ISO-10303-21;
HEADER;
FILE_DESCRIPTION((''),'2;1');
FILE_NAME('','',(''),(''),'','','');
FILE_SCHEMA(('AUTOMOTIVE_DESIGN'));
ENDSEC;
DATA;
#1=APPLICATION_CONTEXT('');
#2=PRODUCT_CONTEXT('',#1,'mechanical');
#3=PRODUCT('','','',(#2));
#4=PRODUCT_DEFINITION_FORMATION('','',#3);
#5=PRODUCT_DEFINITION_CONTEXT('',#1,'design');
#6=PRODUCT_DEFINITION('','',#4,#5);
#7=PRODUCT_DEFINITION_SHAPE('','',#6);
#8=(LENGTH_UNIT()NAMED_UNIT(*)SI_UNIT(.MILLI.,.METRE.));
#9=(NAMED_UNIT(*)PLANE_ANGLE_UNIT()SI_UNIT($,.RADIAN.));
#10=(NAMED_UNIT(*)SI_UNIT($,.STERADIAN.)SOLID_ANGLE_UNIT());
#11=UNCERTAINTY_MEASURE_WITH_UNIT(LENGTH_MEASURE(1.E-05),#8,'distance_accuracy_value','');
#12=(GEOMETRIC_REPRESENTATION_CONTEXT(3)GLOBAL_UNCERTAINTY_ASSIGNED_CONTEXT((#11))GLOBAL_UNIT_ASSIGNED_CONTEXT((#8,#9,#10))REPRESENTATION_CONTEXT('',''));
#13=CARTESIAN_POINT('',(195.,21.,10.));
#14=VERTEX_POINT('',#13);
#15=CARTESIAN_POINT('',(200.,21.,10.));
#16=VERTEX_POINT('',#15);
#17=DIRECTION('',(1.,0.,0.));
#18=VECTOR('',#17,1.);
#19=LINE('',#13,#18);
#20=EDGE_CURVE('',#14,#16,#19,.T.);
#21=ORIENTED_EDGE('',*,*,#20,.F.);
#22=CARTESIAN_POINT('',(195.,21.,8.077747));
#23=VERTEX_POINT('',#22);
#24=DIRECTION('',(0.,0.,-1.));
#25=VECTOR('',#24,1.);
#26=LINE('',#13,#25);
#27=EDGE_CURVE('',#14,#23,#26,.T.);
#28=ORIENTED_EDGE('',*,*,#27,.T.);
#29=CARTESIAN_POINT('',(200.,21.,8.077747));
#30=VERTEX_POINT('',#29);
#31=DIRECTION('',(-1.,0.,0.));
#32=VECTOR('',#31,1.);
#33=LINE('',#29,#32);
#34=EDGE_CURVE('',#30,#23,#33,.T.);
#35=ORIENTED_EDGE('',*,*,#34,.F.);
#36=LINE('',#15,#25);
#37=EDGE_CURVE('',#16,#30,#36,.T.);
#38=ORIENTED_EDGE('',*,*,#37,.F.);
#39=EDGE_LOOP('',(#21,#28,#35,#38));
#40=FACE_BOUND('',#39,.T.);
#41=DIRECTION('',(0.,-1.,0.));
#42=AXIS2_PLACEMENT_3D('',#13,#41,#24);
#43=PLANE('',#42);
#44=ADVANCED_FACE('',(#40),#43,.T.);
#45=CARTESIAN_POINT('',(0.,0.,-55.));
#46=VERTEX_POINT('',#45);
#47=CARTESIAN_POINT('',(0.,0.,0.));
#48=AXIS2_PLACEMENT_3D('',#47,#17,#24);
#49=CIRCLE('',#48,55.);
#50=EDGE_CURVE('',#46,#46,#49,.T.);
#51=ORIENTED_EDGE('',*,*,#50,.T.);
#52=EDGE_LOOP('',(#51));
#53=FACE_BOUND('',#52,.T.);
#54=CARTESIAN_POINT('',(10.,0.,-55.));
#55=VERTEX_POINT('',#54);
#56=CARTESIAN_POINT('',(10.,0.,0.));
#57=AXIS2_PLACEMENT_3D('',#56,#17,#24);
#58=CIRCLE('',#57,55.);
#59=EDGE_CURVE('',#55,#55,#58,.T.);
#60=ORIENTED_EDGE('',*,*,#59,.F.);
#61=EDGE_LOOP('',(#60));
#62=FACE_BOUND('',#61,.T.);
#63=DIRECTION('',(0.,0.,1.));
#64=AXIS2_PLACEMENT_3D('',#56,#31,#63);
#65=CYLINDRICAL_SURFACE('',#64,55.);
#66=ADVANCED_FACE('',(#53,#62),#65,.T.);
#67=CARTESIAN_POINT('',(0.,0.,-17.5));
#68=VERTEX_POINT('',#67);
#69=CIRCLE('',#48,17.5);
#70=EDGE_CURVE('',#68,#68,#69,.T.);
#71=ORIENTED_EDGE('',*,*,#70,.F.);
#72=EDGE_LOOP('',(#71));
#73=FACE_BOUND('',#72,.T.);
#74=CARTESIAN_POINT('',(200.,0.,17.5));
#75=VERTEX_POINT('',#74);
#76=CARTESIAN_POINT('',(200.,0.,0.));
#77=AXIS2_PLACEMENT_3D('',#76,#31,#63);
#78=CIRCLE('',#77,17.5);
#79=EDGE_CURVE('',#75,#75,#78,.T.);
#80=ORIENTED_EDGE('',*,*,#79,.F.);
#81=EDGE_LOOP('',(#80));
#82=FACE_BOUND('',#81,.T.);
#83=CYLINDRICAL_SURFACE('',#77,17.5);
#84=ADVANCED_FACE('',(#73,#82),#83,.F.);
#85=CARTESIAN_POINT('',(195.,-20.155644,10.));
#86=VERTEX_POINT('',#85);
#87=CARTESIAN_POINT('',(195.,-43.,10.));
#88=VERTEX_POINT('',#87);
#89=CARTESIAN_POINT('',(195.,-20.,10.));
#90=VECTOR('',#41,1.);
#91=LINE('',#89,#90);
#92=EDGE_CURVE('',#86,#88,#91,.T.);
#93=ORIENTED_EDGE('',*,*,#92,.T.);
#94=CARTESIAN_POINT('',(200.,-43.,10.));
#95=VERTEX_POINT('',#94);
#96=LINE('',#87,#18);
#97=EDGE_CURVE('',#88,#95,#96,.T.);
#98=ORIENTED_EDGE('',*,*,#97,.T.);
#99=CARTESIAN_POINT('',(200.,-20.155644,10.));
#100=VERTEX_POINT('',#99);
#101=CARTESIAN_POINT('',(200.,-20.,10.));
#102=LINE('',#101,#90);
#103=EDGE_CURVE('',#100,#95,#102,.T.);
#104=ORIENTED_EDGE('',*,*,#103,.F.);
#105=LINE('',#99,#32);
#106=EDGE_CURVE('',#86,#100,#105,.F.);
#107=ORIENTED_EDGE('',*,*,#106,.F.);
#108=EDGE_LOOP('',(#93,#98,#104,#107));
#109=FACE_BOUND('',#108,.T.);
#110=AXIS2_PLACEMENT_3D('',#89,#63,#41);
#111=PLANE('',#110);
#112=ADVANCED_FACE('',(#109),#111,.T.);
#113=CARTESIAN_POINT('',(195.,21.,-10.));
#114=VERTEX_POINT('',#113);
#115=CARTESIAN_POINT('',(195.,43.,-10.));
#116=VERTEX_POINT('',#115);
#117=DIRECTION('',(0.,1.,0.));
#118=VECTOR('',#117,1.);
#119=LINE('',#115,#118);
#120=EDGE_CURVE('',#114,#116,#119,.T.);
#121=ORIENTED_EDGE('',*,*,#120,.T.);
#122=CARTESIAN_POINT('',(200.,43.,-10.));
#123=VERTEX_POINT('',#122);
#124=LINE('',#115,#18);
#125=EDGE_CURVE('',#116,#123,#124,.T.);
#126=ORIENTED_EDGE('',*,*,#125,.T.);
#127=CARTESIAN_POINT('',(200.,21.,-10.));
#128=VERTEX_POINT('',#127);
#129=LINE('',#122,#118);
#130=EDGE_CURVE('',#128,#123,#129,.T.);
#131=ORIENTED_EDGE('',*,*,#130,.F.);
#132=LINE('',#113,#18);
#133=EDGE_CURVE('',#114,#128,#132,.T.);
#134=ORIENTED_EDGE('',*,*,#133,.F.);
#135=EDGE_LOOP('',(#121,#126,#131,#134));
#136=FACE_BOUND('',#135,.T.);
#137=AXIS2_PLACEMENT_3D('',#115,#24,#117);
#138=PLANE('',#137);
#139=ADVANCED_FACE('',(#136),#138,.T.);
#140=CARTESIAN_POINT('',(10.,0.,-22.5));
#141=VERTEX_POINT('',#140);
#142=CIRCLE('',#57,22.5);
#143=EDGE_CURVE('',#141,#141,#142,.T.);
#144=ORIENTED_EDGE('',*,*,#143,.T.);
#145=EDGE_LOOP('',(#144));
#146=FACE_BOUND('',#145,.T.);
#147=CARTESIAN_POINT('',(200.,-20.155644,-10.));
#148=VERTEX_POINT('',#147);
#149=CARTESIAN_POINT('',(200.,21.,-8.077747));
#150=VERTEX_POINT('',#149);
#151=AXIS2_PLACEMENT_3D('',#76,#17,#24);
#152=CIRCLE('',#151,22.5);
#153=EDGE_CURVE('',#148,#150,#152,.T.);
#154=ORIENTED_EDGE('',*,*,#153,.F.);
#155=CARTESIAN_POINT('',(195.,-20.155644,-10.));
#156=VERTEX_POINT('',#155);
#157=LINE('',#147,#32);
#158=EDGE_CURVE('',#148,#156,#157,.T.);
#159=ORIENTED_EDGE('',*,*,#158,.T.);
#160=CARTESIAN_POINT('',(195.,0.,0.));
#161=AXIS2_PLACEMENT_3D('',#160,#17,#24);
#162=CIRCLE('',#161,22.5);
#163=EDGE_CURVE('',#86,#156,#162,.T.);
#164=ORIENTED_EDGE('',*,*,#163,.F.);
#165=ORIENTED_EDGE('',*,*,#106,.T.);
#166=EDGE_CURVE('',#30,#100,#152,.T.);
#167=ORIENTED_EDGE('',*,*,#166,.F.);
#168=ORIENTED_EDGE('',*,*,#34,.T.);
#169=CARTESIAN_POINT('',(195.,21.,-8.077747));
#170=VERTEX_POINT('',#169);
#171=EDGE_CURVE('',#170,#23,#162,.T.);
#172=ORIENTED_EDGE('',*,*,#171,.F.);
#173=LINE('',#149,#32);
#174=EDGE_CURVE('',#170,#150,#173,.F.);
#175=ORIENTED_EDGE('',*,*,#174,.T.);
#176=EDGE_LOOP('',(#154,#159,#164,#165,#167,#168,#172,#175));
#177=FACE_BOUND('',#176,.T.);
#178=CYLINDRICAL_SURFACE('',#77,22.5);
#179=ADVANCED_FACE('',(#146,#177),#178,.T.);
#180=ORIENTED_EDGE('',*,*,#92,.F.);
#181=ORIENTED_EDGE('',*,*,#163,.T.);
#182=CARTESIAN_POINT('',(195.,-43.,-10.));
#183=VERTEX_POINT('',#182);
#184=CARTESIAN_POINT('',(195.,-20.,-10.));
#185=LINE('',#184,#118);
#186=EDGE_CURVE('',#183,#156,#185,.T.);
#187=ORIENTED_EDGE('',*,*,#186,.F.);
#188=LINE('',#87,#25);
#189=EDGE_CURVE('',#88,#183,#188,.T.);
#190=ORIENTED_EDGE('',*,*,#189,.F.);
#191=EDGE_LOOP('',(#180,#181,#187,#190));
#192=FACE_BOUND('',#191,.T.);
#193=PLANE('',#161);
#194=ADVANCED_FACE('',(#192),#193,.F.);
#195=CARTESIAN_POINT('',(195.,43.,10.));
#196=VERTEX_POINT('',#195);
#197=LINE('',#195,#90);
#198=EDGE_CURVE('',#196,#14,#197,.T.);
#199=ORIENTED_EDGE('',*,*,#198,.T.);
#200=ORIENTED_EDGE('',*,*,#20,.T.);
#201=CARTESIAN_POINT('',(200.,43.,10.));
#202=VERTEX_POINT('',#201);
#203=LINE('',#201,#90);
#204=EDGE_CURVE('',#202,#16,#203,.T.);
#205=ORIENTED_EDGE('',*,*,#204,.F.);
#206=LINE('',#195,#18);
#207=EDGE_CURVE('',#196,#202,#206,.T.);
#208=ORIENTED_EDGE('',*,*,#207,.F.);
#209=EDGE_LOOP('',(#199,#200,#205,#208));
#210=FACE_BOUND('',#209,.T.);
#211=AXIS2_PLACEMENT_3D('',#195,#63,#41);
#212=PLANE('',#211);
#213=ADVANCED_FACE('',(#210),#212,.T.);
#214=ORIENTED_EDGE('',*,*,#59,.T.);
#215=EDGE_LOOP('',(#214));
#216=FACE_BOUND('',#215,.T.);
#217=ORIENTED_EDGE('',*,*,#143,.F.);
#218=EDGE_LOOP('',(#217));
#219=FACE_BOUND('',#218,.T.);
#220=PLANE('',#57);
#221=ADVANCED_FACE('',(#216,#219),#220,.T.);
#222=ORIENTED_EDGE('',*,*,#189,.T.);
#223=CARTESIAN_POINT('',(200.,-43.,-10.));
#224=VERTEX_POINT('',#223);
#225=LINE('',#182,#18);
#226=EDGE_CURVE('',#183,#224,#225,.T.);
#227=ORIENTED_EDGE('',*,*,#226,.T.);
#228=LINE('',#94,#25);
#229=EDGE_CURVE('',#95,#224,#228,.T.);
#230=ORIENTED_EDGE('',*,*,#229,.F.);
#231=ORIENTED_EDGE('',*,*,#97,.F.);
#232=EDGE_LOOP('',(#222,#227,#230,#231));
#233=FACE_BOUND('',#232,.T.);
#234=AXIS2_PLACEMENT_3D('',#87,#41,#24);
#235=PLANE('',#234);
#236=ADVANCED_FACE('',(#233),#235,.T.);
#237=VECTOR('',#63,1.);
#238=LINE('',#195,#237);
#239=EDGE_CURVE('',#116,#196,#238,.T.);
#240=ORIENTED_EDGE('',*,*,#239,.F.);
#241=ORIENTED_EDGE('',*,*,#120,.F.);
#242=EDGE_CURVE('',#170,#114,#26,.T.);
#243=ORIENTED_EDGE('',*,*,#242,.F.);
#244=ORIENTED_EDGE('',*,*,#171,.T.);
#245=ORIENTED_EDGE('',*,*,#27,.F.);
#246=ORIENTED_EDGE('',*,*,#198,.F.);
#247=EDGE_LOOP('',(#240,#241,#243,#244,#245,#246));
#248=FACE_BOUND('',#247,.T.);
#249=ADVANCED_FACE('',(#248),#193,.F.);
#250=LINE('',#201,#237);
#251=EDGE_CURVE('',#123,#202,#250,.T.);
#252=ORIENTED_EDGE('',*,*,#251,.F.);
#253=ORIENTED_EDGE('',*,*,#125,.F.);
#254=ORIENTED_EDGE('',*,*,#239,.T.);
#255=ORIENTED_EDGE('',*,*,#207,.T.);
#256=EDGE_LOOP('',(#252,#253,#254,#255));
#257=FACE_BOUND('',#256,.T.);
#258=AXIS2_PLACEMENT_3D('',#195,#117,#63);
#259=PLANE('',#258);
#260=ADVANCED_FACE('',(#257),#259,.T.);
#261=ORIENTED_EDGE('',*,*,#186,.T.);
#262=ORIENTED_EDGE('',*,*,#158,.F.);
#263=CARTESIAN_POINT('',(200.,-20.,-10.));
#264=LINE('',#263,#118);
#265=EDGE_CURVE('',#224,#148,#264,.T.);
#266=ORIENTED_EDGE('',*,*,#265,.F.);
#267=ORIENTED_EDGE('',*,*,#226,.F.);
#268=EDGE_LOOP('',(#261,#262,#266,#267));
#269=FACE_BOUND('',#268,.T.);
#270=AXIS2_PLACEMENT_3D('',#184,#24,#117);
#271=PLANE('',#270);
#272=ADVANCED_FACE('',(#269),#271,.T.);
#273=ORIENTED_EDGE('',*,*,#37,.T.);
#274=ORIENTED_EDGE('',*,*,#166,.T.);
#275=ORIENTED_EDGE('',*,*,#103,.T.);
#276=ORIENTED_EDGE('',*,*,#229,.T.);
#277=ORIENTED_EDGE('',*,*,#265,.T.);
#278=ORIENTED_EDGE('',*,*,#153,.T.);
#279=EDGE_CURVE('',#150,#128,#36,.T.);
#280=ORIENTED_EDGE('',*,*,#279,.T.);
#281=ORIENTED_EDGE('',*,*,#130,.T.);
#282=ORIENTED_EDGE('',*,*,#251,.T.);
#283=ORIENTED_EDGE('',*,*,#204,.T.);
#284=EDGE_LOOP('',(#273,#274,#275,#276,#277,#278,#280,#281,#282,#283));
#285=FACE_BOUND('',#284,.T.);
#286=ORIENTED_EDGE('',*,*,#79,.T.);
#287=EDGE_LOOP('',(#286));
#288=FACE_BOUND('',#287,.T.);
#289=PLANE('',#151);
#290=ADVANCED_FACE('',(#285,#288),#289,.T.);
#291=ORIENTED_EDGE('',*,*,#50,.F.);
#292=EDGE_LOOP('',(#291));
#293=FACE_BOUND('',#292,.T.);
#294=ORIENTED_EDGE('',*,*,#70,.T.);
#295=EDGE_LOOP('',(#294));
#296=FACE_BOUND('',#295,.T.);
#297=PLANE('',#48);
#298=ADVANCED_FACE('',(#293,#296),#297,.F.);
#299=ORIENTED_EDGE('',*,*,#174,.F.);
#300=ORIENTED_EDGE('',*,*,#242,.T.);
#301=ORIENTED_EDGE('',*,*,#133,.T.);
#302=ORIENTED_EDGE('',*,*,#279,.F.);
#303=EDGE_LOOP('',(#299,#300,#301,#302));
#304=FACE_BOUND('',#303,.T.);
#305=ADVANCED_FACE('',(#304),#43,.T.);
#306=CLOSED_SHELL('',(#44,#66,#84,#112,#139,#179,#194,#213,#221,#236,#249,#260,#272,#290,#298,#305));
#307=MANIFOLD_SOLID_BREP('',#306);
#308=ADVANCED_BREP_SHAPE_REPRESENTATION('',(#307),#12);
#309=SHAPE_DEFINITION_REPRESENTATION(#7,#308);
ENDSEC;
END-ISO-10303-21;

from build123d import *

# Parameters (mm, degrees)
SKETCH2_R               = 55
BOSS_EXTRUDE1_DEPTH     = 10
SKETCH3_R               = 22.5
BOSS_EXTRUDE2_DEPTH     = 190
SKETCH4_R               = 17.5
CUT_EXTRUDE1_DEPTH      = 1
CUT_EXTRUDE1_DEPTH_BACK = 201
SKETCH9_W               = 20
SKETCH9_H               = 22
BOSS_EXTRUDE3_DEPTH     = 5
SKETCH10_W              = 20
SKETCH10_H              = 23
BOSS_EXTRUDE4_DEPTH     = 5


with BuildPart() as part:
    # Sketch2 → Boss-Extrude1 (new body)
    with BuildSketch(Plane(origin=(0, 0, 0), x_dir=(0, 0, -1), z_dir=(1, 0, 0))):
        Circle(SKETCH2_R)
    extrude(amount=BOSS_EXTRUDE1_DEPTH)

    # Sketch3 → Boss-Extrude2 (add)
    with BuildSketch(Plane(origin=(10, 0, 0), x_dir=(0, 0, -1), z_dir=(1, 0, 0))):
        Circle(SKETCH3_R)
    extrude(amount=BOSS_EXTRUDE2_DEPTH)

    # Sketch4 → Cut-Extrude1 (cut, two sides)
    with BuildSketch(Plane.ZY) as cut_extrude1_sk:
        Circle(SKETCH4_R)
    extrude(amount=CUT_EXTRUDE1_DEPTH, mode=Mode.SUBTRACT)
    extrude(cut_extrude1_sk.sketch, amount=-CUT_EXTRUDE1_DEPTH_BACK, mode=Mode.SUBTRACT)

    # Sketch9 → Boss-Extrude3 (add)
    with BuildSketch(Plane(origin=(200, 0, 0), x_dir=(0, 0, -1), z_dir=(1, 0, 0))):
        with Locations((0, 32)):
            Rectangle(SKETCH9_W, SKETCH9_H)
    extrude(amount=-BOSS_EXTRUDE3_DEPTH)

    # Sketch10 → Boss-Extrude4 (add)
    with BuildSketch(Plane(origin=(200, 0, 0), x_dir=(0, 0, -1), z_dir=(1, 0, 0))):
        with Locations((0, -31.5)):
            Rectangle(SKETCH10_W, SKETCH10_H)
    extrude(amount=-BOSS_EXTRUDE4_DEPTH)


solid = part.part
